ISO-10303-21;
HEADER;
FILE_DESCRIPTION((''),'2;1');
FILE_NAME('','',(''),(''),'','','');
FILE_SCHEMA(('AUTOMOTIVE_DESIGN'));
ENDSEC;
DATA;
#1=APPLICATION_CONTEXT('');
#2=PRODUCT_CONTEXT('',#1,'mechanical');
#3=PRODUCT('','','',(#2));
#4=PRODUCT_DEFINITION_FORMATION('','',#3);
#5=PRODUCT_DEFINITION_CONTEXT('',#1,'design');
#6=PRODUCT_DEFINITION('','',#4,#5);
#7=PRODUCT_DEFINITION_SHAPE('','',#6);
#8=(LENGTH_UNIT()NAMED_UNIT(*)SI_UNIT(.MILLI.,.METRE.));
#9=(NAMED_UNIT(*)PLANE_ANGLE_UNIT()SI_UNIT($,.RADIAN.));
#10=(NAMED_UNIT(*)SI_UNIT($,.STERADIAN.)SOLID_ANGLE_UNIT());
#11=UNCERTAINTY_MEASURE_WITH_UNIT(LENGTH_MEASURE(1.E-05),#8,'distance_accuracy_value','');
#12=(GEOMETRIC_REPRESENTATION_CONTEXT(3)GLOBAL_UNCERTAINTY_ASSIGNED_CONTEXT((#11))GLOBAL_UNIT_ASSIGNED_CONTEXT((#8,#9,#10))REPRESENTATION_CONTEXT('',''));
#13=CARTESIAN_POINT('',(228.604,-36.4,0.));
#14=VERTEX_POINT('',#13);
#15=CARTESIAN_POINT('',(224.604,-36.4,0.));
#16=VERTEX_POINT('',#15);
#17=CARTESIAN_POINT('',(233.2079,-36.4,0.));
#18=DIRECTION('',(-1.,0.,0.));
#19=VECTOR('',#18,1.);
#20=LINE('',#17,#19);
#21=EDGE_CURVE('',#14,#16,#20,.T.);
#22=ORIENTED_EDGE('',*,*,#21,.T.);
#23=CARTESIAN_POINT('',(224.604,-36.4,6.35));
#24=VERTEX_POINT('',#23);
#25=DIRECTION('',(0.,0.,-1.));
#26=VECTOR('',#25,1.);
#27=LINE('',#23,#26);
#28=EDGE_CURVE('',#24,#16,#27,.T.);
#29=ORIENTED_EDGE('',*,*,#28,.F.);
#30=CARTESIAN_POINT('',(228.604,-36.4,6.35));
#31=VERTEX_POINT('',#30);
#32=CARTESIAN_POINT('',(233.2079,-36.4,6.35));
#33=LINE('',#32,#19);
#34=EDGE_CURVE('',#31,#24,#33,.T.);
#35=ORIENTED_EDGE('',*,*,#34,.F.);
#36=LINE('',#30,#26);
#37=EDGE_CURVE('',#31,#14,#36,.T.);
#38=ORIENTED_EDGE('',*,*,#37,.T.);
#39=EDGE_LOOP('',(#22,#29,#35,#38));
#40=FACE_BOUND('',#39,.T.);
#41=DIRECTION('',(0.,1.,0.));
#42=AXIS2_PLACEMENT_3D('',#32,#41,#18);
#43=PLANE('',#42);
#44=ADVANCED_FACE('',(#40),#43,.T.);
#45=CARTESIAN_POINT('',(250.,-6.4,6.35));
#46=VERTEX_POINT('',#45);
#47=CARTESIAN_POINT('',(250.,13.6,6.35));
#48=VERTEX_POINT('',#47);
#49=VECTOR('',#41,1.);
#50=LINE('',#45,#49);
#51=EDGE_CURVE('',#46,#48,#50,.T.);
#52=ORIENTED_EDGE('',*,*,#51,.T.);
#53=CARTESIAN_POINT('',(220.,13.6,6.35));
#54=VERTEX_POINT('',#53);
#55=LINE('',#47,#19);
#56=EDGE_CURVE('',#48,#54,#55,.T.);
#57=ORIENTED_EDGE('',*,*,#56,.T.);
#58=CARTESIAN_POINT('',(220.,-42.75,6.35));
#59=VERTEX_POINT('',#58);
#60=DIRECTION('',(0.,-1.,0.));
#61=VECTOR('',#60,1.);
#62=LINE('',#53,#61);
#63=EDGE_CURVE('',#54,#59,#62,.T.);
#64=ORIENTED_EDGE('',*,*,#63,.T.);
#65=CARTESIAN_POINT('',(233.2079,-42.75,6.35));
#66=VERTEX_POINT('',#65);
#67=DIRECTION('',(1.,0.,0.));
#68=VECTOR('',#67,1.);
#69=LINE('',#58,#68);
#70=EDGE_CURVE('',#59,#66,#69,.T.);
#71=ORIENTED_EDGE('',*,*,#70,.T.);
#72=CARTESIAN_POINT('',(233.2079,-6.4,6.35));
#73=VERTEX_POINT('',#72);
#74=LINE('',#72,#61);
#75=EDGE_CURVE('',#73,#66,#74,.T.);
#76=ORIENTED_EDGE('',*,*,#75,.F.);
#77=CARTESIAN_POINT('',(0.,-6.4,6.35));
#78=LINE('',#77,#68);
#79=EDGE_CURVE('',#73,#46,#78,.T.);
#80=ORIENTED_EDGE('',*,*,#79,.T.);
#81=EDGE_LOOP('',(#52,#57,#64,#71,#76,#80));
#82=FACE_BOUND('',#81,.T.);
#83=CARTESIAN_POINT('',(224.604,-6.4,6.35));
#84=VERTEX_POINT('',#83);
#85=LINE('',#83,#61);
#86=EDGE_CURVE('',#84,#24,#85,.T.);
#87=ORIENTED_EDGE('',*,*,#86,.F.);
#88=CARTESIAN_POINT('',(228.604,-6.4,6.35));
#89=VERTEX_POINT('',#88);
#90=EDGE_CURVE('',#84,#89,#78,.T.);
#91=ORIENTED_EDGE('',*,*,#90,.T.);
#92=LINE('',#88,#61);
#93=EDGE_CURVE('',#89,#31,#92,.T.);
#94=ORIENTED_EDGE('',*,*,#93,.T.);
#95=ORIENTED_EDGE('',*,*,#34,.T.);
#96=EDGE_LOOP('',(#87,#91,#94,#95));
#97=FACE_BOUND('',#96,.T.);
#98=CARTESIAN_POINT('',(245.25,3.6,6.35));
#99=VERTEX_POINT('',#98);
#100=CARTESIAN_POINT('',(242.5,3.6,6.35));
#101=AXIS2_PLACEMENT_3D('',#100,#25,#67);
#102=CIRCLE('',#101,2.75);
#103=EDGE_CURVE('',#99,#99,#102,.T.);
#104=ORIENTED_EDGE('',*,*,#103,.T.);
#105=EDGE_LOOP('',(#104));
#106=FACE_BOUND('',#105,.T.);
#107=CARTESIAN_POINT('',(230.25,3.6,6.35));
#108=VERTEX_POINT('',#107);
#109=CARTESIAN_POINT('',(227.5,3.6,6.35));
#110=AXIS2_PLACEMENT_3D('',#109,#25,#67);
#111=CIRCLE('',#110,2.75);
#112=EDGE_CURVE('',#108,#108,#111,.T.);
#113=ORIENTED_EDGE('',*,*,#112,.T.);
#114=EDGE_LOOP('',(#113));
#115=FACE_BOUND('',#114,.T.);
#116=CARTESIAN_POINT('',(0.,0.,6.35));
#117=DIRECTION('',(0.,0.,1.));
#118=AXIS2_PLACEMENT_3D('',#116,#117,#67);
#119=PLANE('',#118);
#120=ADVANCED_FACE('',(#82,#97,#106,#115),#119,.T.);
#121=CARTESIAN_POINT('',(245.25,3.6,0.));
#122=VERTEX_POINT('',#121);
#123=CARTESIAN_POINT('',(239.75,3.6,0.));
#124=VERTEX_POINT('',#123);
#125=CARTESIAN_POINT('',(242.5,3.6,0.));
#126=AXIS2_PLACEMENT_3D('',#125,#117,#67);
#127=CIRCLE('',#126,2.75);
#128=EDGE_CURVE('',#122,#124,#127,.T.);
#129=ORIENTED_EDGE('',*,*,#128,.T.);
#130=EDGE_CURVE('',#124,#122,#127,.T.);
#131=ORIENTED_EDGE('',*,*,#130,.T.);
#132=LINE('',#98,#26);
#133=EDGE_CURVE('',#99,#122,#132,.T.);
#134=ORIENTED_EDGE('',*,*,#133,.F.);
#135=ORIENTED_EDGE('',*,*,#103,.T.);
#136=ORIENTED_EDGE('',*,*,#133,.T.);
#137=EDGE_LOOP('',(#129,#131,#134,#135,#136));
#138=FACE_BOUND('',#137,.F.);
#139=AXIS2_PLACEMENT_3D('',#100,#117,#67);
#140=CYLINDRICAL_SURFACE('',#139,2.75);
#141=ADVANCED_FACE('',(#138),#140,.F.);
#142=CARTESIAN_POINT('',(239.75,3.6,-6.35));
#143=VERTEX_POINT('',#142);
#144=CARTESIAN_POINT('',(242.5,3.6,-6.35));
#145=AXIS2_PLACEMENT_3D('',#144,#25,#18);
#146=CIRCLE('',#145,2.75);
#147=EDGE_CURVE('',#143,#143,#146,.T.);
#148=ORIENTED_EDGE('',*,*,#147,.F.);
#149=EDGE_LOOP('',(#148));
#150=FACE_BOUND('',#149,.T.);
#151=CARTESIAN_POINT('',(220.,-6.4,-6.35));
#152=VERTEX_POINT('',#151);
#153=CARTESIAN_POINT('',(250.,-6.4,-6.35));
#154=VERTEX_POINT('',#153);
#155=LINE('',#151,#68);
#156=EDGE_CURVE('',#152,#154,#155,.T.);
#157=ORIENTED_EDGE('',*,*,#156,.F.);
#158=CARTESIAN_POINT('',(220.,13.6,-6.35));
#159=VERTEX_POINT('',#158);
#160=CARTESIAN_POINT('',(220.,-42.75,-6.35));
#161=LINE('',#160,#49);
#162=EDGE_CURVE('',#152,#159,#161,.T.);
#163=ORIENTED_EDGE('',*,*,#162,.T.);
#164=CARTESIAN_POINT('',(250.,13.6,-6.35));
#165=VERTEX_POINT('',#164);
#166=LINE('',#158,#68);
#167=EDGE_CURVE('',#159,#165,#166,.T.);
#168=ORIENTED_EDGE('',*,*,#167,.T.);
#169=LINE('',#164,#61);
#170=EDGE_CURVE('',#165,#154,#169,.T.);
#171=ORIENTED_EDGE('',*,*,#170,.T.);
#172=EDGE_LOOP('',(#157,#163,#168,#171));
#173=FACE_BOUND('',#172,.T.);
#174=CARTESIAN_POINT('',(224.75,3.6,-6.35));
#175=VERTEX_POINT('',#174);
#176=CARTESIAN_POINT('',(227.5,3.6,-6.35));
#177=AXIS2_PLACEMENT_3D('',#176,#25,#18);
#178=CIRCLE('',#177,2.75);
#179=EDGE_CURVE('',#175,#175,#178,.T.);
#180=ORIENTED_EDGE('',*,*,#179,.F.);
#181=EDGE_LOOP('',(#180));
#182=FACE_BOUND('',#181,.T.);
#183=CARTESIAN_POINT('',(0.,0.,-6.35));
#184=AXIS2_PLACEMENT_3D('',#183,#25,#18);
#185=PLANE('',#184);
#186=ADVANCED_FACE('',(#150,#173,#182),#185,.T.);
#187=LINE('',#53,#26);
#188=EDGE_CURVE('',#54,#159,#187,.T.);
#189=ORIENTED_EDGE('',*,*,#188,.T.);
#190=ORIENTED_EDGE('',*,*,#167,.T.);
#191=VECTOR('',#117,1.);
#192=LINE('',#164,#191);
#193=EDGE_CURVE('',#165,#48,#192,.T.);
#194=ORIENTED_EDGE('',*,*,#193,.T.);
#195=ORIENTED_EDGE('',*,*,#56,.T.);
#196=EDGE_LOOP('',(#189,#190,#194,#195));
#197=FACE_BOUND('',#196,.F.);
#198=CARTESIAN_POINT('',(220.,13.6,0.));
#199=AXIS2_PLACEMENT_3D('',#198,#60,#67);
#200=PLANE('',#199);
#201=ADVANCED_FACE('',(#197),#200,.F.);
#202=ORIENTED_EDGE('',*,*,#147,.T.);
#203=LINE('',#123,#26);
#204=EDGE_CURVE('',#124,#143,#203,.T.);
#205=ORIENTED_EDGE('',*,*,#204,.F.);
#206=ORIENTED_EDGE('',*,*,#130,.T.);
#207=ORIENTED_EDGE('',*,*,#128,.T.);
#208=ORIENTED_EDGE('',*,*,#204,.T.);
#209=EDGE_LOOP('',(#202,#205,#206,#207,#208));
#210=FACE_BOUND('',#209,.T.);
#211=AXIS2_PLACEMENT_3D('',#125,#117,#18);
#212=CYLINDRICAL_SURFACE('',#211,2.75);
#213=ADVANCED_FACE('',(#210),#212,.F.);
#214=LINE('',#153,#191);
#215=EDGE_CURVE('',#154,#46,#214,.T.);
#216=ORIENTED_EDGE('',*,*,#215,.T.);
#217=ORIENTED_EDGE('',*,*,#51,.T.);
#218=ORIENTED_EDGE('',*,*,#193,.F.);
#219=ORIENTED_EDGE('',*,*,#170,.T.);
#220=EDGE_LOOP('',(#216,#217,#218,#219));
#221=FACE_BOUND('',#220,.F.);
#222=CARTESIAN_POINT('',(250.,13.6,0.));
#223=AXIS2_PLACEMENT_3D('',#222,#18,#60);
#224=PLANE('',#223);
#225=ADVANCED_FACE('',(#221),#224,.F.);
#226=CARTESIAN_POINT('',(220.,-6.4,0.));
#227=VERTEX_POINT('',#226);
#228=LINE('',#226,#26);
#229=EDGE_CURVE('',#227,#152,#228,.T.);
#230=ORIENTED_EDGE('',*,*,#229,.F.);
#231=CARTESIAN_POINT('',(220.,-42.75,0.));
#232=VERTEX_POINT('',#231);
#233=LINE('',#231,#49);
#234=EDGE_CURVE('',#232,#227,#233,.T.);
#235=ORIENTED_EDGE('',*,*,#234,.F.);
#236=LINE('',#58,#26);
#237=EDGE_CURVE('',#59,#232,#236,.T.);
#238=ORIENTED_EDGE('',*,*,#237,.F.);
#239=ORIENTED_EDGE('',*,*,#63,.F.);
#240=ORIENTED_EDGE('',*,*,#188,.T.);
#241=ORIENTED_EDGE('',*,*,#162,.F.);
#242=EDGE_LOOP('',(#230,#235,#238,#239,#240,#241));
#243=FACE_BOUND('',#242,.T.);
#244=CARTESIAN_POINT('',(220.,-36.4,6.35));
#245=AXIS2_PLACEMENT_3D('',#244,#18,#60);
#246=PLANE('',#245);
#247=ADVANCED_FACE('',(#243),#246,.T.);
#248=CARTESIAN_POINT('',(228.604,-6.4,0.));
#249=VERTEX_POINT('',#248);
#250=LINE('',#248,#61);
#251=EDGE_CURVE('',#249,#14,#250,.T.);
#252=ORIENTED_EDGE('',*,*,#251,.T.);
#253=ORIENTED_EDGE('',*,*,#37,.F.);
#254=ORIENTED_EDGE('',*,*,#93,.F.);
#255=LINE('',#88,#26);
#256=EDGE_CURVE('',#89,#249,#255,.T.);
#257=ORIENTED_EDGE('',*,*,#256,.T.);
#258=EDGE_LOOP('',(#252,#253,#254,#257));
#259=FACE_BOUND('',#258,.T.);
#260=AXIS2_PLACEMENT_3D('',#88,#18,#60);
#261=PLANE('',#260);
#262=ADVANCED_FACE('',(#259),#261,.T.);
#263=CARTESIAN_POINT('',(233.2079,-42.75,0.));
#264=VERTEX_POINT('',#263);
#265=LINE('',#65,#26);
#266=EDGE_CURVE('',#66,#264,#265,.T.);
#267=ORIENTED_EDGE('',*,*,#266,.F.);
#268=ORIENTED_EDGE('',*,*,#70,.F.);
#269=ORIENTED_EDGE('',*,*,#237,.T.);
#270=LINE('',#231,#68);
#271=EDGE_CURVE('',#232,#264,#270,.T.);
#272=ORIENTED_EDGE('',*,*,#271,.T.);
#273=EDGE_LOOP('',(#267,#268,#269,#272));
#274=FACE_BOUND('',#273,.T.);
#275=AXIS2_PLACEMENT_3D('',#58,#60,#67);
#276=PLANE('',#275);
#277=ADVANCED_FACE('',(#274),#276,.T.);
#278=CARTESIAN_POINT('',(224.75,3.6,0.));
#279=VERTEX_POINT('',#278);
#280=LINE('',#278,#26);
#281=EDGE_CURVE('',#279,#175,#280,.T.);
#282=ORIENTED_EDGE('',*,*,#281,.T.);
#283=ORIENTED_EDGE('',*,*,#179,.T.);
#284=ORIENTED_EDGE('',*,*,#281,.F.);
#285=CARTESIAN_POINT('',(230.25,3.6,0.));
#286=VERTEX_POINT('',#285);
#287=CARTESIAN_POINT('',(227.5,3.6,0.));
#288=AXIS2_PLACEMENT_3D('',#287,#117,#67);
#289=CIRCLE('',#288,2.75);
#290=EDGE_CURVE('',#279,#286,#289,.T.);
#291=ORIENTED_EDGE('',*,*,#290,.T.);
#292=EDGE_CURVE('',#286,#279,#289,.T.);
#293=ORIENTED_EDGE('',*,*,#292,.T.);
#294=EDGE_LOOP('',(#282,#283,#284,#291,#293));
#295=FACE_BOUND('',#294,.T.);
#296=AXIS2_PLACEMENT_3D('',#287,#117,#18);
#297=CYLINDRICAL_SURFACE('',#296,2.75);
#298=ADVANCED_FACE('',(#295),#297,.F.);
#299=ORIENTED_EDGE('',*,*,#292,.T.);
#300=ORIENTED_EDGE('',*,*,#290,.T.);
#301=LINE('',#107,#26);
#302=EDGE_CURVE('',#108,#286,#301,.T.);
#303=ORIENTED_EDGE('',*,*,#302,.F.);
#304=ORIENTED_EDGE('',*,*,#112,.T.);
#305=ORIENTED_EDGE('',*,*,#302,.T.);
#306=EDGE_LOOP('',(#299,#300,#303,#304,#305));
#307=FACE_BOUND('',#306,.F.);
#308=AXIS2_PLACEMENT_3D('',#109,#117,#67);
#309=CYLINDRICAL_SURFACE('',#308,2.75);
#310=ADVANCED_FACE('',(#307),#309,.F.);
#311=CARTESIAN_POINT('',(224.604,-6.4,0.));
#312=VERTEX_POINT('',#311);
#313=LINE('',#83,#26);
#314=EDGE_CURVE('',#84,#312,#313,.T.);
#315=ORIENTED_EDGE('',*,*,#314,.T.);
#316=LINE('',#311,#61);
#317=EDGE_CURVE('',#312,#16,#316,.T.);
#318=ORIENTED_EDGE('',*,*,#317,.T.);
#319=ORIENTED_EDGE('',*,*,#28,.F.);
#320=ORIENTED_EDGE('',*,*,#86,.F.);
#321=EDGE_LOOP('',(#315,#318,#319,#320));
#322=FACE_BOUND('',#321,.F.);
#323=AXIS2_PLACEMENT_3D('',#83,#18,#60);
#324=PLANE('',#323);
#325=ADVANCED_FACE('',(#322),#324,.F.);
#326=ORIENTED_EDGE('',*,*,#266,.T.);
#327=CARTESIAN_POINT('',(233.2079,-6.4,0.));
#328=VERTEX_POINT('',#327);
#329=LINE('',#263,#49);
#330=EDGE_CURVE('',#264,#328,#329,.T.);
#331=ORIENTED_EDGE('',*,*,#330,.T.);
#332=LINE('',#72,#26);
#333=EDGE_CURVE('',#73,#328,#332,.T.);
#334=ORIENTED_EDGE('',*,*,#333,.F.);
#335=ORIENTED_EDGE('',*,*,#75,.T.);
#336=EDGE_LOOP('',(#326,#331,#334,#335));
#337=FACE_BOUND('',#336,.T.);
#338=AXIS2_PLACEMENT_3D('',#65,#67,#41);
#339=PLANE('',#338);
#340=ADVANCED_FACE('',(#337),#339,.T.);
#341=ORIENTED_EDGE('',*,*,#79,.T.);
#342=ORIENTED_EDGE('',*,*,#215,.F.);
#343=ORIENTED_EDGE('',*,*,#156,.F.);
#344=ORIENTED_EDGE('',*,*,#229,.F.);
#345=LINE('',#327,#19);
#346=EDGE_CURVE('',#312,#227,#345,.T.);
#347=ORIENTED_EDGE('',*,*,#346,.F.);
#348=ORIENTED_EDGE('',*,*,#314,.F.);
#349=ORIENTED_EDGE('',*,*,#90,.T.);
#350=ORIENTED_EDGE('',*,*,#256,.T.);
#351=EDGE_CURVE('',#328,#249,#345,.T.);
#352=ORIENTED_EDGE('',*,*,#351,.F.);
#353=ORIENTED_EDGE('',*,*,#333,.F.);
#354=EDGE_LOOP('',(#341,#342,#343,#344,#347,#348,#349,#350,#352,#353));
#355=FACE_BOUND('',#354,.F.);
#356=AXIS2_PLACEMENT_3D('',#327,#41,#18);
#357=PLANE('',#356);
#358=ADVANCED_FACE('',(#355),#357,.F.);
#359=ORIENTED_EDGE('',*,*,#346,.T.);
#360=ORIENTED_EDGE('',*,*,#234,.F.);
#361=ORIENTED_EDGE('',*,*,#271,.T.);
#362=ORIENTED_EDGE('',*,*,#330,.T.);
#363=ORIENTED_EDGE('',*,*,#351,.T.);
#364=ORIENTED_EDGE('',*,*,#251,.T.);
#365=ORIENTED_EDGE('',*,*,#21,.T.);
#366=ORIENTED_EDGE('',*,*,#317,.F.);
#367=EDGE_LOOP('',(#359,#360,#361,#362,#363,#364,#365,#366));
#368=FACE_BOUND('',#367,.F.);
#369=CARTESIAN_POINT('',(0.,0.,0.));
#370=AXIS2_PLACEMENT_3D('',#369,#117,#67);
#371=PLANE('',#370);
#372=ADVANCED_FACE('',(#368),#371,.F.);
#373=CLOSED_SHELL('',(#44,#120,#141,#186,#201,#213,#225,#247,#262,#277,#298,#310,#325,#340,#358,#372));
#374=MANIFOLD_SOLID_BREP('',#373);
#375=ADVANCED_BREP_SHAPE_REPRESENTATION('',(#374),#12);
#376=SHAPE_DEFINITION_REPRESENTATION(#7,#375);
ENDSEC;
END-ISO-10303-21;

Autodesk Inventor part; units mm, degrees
ref_plane "YZ Plane" through (0, 0, 0) normal (1, 0, 0) x (0, 1, 0)
ref_plane "XZ Plane" through (0, 0, 0) normal (0, 1, 0) x (-1, 0, 0)
ref_plane "XY Plane" through (0, 0, 0) normal (0, 0, 1) x (1, 0, 0)
sketch "Sketch1" plane through (0, 0, 0) normal (0, 0, 1) x (1, 0, 0)
  line L0 (0, 12.35) -> (250, 12.35) projected
  line L1 (0, 12.35) -> (0, 7.2) projected
  line L2 (0, 7.2) -> (250, 7.2) projected
  line L3 (250, 12.35) -> (250, 7.2) projected
  line L4 (250, 13.6) -> (0, 13.6) projected
  line L5 (0, -6.4) -> (250, -6.4) projected
  line L6 (250, -5.15) -> (0, -5.15) projected
  line L7 (250, 0) -> (250, -5.15) projected
  line L8 (0, 0) -> (250, 0) projected
  line L9 (0, 0) -> (0, -5.15) projected
  line L10 (250, -6.4) -> (220, -6.4)
  line L11 (220, -6.4) -> (220, 13.6)
  line L12 (220, 13.6) -> (250, 13.6)
  line L13 (250, 13.6) -> (250, -6.4)
  dimension "d0" = 30
extrude "Extrusion1" add sketch "Sketch1" along normal blind 6.35 contours L11 L4 L13 L0 | L0 L3 L2 L11 | L2 L13 L8 L11 | L8 L7 L6 L11 | L6 L13 L5 L11
sketch "Sketch2" plane through (0, 0, 6.35) normal (0, 0, 1) x (1, 0, 0)
  line L0 (250, 13.6) -> (220, 13.6) projected
  line L1 (220, -6.4) -> (250, -6.4) projected
  line L2 (220, 13.6) -> (250, -6.4)
  line L3 (235, 3.6) -> (250, 3.6)
  line L4 (250, -6.4) -> (250, 13.6) projected
  line L5 (235, 3.6) -> (220, 3.6)
  circle A0 centre (227.5, 3.6) radius 2.75
  circle A1 centre (242.5, 3.6) radius 2.75
  point P0 (0, 0)
  dimension "d3" = 5.5
extrude "Extrusion2" cut sketch "Sketch2" against normal blind 6.35 contours A0 L5 | L5 A0 | A1 L3 | L3 A1
sketch "Sketch3" plane through (0, 0, 6.35) normal (0, 0, 1) x (1, 0, 0)
  line L0 (220, -6.4) -> (220, 13.6) projected
  line L1 (220, -6.4) -> (224.604, -6.4)
  line L2 (224.604, -6.4) -> (224.604, -36.4)
  line L3 (224.604, -36.4) -> (220, -36.4)
  line L4 (220, -36.4) -> (220, -6.4)
  line L5 (250, -6.4) -> (220, -6.4) projected
  line L6 (233.2079, -6.4) -> (228.604, -6.4)
  line L7 (228.604, -6.4) -> (228.604, -36.4)
  line L8 (228.604, -36.4) -> (233.2079, -36.4)
  line L9 (233.2079, -36.4) -> (233.2079, -6.4)
  point P0 (0, 0)
  dimension "d6" = 30
  dimension "d7" = 4
extrude "Extrusion3" add sketch "Sketch3" against normal blind 6.35
sketch "Sketch4" plane through (0, 0, 6.35) normal (0, 0, 1) x (1, 0, 0)
  line L0 (233.2079, -6.4) -> (233.2079, -36.4) projected
  line L1 (233.2079, -36.4) -> (220, -36.4)
  line L2 (220, -36.4) -> (220, -42.75)
  line L3 (220, -42.75) -> (233.2079, -42.75)
  line L4 (233.2079, -42.75) -> (233.2079, -36.4)
  point P0 (0, 0)
  dimension "d10" = 6.35
extrude "Extrusion4" add sketch "Sketch4" against normal blind 6.35
sketch "Sketch5" plane through (0, 0, 0) normal (0, 0, -1) x (-1, 0, 0)
  line L0 (-228.604, -36.4) -> (-228.604, -6.4) projected
  line L1 (-228.604, -6.4) -> (-224.604, -6.4) projected
  line L2 (-224.604, -6.4) -> (-224.604, -36.4) projected
  line L3 (-224.604, -36.4) -> (-228.604, -36.4) projected
  circle A0 centre (-242.5, 3.6) radius 2.75 projected
  circle A1 centre (-227.5, 3.6) radius 2.75 projected
  line L4 (-233.2079, -6.4) -> (-233.2079, -42.75) projected
  line L5 (-233.2079, -42.75) -> (-220, -42.75) projected
  line L6 (-220, -42.75) -> (-220, 13.6) projected
  line L7 (-220, 13.6) -> (-250, 13.6) projected
  line L8 (-250, 13.6) -> (-250, -6.4) projected
  line L9 (-250, -6.4) -> (-233.2079, -6.4) projected
  line L10 (-233.2079, -6.4) -> (-233.2079, -42.75) projected
  line L11 (-233.2079, -6.4) -> (-220, -6.4)
  point P0 (0, 0)
extrude "Extrusion5" add sketch "Sketch5" along normal blind 6.35 contours L11 L9 L8 L7 L6 L1
properties part number "limitHolder"
